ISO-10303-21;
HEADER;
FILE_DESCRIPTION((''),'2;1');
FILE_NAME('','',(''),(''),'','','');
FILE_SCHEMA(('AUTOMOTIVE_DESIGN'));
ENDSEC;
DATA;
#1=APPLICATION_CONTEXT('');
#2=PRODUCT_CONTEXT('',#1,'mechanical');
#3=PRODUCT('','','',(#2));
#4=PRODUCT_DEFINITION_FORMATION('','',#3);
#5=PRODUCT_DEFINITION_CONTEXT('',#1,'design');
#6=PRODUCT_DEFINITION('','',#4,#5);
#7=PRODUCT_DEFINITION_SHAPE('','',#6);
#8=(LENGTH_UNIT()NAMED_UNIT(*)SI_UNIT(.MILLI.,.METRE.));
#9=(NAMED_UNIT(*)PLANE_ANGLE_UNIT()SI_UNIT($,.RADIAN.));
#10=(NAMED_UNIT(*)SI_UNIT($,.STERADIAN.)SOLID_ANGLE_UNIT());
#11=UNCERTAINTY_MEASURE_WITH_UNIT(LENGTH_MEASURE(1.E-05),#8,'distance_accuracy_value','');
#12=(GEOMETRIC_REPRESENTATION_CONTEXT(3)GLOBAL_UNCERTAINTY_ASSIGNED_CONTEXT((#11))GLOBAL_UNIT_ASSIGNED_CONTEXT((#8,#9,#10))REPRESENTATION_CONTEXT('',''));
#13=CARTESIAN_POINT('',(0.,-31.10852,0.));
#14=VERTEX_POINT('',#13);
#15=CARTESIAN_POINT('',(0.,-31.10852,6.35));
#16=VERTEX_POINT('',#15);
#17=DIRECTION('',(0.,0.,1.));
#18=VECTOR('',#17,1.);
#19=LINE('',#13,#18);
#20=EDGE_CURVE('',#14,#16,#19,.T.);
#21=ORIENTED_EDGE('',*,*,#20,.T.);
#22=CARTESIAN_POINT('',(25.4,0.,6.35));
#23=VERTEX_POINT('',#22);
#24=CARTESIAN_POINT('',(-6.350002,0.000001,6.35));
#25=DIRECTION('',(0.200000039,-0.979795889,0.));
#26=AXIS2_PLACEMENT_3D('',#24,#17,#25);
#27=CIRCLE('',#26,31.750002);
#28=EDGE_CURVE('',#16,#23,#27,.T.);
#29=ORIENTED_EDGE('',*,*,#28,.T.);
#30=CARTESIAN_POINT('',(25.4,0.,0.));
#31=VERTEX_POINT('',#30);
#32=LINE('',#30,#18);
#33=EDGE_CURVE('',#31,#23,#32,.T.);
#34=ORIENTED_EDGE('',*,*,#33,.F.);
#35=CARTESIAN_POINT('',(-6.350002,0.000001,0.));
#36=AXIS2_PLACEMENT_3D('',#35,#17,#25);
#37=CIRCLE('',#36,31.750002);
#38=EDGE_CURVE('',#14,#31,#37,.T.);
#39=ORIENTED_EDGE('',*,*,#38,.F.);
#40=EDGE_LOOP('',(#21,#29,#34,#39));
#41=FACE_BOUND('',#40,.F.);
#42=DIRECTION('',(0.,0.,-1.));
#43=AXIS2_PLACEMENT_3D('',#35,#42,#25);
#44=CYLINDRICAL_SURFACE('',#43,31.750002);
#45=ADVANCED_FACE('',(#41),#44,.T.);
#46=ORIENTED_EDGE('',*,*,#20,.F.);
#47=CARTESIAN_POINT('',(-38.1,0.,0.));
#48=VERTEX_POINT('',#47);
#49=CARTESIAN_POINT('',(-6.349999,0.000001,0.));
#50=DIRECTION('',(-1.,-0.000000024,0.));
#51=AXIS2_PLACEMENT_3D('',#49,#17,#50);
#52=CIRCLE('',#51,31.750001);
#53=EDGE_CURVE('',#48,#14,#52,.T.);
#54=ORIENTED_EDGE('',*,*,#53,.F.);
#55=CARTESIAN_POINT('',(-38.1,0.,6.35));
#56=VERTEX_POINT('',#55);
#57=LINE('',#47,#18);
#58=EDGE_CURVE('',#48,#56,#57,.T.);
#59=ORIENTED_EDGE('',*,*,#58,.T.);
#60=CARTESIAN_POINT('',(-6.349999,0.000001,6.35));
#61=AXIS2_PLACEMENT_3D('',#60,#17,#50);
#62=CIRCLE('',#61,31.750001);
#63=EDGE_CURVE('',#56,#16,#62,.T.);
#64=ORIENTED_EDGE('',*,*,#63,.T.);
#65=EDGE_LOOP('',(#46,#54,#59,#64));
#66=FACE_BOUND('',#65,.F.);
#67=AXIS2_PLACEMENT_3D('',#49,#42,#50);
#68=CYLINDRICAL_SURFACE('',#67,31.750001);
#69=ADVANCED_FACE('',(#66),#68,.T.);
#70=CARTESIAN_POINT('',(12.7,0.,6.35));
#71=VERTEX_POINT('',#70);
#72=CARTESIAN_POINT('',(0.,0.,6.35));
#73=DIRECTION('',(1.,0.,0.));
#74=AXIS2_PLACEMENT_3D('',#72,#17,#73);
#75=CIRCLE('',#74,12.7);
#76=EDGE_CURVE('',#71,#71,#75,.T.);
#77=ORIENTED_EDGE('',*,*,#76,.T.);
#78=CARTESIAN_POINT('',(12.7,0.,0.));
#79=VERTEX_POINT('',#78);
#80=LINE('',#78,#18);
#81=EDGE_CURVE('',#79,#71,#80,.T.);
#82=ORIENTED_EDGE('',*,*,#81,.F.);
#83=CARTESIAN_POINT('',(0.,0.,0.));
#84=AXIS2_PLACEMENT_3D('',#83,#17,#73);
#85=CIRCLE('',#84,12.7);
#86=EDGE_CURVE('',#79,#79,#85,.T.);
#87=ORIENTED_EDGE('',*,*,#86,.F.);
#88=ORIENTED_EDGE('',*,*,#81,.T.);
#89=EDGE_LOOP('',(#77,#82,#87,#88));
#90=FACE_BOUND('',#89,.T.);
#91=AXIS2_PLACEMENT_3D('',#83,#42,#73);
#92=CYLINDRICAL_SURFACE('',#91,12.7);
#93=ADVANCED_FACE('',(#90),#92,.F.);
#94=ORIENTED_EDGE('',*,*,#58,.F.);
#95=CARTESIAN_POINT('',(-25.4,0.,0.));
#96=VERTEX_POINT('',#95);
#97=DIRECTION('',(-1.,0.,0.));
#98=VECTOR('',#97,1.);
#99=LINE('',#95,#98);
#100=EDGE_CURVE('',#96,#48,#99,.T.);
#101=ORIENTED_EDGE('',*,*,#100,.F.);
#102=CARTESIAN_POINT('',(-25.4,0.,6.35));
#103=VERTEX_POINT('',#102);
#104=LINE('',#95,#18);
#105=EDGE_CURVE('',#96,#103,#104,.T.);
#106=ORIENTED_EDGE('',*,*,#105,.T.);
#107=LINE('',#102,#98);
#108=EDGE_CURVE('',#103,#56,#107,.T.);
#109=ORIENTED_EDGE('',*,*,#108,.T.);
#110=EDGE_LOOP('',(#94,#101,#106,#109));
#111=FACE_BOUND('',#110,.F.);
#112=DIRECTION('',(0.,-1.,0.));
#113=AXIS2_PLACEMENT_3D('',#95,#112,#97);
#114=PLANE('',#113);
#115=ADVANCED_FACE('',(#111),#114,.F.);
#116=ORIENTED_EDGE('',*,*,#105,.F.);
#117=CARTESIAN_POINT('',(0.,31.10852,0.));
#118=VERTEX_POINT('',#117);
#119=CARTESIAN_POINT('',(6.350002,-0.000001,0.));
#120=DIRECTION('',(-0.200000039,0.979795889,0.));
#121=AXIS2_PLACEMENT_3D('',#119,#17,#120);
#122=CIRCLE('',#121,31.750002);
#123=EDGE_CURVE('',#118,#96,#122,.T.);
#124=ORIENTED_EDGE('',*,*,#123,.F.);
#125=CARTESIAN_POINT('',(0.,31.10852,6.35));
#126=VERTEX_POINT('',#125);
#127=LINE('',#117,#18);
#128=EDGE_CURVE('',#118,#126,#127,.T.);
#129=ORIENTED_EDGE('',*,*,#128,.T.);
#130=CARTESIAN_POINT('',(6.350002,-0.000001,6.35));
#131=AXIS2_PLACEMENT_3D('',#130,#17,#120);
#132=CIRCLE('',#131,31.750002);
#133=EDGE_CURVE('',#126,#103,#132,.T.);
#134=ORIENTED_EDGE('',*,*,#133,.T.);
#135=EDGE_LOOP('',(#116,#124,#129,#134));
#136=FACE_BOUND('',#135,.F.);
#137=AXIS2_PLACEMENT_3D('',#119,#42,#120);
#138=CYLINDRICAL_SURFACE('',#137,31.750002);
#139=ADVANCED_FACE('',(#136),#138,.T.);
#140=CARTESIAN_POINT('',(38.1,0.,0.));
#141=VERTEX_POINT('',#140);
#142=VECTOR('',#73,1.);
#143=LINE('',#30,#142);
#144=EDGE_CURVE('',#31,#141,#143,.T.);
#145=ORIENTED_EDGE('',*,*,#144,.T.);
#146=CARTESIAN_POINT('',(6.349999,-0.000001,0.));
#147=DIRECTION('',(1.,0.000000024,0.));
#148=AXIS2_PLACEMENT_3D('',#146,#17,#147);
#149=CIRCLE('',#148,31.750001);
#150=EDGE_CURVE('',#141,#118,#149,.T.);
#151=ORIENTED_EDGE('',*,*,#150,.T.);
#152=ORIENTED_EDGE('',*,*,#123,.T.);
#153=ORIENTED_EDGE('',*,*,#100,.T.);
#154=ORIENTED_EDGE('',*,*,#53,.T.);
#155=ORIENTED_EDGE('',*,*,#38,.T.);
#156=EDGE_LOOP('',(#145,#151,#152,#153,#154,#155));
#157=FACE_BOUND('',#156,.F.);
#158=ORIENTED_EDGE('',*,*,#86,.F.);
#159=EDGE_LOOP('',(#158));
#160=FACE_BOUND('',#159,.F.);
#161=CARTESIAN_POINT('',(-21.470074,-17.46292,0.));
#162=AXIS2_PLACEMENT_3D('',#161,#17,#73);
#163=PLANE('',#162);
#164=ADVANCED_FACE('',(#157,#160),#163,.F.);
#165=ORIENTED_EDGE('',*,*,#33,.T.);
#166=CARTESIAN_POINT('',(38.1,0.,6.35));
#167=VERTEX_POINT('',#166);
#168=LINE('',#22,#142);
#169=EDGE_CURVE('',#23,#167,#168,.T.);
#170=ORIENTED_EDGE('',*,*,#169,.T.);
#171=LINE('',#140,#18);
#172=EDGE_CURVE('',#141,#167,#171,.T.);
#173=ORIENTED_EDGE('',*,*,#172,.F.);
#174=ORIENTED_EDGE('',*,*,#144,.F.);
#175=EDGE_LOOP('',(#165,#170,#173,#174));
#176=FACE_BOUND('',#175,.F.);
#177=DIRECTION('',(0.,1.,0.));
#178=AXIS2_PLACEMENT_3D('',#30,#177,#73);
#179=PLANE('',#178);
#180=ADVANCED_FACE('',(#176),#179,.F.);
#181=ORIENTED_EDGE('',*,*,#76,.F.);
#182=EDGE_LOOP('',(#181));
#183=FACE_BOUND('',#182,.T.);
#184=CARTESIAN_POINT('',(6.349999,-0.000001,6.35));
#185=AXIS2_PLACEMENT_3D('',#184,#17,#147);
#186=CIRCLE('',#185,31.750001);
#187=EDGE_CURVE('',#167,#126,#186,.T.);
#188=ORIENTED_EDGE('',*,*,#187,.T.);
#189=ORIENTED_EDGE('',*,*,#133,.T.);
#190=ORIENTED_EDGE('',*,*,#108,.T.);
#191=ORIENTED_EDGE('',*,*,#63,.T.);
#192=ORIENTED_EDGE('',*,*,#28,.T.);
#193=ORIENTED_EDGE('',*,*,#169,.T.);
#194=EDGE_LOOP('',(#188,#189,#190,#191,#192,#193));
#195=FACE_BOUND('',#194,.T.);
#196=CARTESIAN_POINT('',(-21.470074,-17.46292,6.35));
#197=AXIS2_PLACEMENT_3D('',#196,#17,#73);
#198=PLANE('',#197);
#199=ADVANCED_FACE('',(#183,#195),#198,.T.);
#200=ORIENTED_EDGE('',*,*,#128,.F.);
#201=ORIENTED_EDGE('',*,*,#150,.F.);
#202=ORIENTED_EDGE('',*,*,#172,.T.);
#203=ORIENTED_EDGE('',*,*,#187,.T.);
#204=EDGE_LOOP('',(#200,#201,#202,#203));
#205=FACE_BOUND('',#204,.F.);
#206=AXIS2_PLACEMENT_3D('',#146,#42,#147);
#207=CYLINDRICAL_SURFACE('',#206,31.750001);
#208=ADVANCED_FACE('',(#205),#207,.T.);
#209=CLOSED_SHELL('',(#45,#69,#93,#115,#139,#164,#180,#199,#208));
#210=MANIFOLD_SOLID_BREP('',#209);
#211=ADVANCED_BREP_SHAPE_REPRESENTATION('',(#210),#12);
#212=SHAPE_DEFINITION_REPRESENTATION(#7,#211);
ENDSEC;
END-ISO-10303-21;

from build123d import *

# Parameters (mm, degrees)
F0_R     = 12.7
F1_DEPTH = 6.35


with BuildPart() as f1:
    # F0 (on Top) → F1 (new body)
    with BuildSketch(Plane.XY):
        with BuildLine():
            Line((-25.4, 0), (-38.1, 0))
            ThreePointArc((-38.1, 0), (-26.430463, -24.593444), (0, -31.10852))
            ThreePointArc((0, -31.10852), (-18.243444, -20.080463), (-25.4, 0))
        make_face()
        with BuildLine():
            ThreePointArc((25.4, 0), (18.243444, 20.080463), (0, 31.10852))
            ThreePointArc((0, 31.10852), (-18.243444, 20.080463), (-25.4, 0))
            ThreePointArc((-25.4, 0), (-18.243444, -20.080463), (0, -31.10852))
            ThreePointArc((0, -31.10852), (18.243444, -20.080463), (25.4, 0))
        make_face()
        Circle(F0_R, mode=Mode.SUBTRACT)
        with BuildLine():
            Line((25.4, 0), (38.1, 0))
            ThreePointArc((38.1, 0), (26.430463, 24.593444), (0, 31.10852))
            ThreePointArc((0, 31.10852), (18.243444, 20.080463), (25.4, 0))
        make_face()
    extrude(amount=F1_DEPTH)


solid = f1.part
